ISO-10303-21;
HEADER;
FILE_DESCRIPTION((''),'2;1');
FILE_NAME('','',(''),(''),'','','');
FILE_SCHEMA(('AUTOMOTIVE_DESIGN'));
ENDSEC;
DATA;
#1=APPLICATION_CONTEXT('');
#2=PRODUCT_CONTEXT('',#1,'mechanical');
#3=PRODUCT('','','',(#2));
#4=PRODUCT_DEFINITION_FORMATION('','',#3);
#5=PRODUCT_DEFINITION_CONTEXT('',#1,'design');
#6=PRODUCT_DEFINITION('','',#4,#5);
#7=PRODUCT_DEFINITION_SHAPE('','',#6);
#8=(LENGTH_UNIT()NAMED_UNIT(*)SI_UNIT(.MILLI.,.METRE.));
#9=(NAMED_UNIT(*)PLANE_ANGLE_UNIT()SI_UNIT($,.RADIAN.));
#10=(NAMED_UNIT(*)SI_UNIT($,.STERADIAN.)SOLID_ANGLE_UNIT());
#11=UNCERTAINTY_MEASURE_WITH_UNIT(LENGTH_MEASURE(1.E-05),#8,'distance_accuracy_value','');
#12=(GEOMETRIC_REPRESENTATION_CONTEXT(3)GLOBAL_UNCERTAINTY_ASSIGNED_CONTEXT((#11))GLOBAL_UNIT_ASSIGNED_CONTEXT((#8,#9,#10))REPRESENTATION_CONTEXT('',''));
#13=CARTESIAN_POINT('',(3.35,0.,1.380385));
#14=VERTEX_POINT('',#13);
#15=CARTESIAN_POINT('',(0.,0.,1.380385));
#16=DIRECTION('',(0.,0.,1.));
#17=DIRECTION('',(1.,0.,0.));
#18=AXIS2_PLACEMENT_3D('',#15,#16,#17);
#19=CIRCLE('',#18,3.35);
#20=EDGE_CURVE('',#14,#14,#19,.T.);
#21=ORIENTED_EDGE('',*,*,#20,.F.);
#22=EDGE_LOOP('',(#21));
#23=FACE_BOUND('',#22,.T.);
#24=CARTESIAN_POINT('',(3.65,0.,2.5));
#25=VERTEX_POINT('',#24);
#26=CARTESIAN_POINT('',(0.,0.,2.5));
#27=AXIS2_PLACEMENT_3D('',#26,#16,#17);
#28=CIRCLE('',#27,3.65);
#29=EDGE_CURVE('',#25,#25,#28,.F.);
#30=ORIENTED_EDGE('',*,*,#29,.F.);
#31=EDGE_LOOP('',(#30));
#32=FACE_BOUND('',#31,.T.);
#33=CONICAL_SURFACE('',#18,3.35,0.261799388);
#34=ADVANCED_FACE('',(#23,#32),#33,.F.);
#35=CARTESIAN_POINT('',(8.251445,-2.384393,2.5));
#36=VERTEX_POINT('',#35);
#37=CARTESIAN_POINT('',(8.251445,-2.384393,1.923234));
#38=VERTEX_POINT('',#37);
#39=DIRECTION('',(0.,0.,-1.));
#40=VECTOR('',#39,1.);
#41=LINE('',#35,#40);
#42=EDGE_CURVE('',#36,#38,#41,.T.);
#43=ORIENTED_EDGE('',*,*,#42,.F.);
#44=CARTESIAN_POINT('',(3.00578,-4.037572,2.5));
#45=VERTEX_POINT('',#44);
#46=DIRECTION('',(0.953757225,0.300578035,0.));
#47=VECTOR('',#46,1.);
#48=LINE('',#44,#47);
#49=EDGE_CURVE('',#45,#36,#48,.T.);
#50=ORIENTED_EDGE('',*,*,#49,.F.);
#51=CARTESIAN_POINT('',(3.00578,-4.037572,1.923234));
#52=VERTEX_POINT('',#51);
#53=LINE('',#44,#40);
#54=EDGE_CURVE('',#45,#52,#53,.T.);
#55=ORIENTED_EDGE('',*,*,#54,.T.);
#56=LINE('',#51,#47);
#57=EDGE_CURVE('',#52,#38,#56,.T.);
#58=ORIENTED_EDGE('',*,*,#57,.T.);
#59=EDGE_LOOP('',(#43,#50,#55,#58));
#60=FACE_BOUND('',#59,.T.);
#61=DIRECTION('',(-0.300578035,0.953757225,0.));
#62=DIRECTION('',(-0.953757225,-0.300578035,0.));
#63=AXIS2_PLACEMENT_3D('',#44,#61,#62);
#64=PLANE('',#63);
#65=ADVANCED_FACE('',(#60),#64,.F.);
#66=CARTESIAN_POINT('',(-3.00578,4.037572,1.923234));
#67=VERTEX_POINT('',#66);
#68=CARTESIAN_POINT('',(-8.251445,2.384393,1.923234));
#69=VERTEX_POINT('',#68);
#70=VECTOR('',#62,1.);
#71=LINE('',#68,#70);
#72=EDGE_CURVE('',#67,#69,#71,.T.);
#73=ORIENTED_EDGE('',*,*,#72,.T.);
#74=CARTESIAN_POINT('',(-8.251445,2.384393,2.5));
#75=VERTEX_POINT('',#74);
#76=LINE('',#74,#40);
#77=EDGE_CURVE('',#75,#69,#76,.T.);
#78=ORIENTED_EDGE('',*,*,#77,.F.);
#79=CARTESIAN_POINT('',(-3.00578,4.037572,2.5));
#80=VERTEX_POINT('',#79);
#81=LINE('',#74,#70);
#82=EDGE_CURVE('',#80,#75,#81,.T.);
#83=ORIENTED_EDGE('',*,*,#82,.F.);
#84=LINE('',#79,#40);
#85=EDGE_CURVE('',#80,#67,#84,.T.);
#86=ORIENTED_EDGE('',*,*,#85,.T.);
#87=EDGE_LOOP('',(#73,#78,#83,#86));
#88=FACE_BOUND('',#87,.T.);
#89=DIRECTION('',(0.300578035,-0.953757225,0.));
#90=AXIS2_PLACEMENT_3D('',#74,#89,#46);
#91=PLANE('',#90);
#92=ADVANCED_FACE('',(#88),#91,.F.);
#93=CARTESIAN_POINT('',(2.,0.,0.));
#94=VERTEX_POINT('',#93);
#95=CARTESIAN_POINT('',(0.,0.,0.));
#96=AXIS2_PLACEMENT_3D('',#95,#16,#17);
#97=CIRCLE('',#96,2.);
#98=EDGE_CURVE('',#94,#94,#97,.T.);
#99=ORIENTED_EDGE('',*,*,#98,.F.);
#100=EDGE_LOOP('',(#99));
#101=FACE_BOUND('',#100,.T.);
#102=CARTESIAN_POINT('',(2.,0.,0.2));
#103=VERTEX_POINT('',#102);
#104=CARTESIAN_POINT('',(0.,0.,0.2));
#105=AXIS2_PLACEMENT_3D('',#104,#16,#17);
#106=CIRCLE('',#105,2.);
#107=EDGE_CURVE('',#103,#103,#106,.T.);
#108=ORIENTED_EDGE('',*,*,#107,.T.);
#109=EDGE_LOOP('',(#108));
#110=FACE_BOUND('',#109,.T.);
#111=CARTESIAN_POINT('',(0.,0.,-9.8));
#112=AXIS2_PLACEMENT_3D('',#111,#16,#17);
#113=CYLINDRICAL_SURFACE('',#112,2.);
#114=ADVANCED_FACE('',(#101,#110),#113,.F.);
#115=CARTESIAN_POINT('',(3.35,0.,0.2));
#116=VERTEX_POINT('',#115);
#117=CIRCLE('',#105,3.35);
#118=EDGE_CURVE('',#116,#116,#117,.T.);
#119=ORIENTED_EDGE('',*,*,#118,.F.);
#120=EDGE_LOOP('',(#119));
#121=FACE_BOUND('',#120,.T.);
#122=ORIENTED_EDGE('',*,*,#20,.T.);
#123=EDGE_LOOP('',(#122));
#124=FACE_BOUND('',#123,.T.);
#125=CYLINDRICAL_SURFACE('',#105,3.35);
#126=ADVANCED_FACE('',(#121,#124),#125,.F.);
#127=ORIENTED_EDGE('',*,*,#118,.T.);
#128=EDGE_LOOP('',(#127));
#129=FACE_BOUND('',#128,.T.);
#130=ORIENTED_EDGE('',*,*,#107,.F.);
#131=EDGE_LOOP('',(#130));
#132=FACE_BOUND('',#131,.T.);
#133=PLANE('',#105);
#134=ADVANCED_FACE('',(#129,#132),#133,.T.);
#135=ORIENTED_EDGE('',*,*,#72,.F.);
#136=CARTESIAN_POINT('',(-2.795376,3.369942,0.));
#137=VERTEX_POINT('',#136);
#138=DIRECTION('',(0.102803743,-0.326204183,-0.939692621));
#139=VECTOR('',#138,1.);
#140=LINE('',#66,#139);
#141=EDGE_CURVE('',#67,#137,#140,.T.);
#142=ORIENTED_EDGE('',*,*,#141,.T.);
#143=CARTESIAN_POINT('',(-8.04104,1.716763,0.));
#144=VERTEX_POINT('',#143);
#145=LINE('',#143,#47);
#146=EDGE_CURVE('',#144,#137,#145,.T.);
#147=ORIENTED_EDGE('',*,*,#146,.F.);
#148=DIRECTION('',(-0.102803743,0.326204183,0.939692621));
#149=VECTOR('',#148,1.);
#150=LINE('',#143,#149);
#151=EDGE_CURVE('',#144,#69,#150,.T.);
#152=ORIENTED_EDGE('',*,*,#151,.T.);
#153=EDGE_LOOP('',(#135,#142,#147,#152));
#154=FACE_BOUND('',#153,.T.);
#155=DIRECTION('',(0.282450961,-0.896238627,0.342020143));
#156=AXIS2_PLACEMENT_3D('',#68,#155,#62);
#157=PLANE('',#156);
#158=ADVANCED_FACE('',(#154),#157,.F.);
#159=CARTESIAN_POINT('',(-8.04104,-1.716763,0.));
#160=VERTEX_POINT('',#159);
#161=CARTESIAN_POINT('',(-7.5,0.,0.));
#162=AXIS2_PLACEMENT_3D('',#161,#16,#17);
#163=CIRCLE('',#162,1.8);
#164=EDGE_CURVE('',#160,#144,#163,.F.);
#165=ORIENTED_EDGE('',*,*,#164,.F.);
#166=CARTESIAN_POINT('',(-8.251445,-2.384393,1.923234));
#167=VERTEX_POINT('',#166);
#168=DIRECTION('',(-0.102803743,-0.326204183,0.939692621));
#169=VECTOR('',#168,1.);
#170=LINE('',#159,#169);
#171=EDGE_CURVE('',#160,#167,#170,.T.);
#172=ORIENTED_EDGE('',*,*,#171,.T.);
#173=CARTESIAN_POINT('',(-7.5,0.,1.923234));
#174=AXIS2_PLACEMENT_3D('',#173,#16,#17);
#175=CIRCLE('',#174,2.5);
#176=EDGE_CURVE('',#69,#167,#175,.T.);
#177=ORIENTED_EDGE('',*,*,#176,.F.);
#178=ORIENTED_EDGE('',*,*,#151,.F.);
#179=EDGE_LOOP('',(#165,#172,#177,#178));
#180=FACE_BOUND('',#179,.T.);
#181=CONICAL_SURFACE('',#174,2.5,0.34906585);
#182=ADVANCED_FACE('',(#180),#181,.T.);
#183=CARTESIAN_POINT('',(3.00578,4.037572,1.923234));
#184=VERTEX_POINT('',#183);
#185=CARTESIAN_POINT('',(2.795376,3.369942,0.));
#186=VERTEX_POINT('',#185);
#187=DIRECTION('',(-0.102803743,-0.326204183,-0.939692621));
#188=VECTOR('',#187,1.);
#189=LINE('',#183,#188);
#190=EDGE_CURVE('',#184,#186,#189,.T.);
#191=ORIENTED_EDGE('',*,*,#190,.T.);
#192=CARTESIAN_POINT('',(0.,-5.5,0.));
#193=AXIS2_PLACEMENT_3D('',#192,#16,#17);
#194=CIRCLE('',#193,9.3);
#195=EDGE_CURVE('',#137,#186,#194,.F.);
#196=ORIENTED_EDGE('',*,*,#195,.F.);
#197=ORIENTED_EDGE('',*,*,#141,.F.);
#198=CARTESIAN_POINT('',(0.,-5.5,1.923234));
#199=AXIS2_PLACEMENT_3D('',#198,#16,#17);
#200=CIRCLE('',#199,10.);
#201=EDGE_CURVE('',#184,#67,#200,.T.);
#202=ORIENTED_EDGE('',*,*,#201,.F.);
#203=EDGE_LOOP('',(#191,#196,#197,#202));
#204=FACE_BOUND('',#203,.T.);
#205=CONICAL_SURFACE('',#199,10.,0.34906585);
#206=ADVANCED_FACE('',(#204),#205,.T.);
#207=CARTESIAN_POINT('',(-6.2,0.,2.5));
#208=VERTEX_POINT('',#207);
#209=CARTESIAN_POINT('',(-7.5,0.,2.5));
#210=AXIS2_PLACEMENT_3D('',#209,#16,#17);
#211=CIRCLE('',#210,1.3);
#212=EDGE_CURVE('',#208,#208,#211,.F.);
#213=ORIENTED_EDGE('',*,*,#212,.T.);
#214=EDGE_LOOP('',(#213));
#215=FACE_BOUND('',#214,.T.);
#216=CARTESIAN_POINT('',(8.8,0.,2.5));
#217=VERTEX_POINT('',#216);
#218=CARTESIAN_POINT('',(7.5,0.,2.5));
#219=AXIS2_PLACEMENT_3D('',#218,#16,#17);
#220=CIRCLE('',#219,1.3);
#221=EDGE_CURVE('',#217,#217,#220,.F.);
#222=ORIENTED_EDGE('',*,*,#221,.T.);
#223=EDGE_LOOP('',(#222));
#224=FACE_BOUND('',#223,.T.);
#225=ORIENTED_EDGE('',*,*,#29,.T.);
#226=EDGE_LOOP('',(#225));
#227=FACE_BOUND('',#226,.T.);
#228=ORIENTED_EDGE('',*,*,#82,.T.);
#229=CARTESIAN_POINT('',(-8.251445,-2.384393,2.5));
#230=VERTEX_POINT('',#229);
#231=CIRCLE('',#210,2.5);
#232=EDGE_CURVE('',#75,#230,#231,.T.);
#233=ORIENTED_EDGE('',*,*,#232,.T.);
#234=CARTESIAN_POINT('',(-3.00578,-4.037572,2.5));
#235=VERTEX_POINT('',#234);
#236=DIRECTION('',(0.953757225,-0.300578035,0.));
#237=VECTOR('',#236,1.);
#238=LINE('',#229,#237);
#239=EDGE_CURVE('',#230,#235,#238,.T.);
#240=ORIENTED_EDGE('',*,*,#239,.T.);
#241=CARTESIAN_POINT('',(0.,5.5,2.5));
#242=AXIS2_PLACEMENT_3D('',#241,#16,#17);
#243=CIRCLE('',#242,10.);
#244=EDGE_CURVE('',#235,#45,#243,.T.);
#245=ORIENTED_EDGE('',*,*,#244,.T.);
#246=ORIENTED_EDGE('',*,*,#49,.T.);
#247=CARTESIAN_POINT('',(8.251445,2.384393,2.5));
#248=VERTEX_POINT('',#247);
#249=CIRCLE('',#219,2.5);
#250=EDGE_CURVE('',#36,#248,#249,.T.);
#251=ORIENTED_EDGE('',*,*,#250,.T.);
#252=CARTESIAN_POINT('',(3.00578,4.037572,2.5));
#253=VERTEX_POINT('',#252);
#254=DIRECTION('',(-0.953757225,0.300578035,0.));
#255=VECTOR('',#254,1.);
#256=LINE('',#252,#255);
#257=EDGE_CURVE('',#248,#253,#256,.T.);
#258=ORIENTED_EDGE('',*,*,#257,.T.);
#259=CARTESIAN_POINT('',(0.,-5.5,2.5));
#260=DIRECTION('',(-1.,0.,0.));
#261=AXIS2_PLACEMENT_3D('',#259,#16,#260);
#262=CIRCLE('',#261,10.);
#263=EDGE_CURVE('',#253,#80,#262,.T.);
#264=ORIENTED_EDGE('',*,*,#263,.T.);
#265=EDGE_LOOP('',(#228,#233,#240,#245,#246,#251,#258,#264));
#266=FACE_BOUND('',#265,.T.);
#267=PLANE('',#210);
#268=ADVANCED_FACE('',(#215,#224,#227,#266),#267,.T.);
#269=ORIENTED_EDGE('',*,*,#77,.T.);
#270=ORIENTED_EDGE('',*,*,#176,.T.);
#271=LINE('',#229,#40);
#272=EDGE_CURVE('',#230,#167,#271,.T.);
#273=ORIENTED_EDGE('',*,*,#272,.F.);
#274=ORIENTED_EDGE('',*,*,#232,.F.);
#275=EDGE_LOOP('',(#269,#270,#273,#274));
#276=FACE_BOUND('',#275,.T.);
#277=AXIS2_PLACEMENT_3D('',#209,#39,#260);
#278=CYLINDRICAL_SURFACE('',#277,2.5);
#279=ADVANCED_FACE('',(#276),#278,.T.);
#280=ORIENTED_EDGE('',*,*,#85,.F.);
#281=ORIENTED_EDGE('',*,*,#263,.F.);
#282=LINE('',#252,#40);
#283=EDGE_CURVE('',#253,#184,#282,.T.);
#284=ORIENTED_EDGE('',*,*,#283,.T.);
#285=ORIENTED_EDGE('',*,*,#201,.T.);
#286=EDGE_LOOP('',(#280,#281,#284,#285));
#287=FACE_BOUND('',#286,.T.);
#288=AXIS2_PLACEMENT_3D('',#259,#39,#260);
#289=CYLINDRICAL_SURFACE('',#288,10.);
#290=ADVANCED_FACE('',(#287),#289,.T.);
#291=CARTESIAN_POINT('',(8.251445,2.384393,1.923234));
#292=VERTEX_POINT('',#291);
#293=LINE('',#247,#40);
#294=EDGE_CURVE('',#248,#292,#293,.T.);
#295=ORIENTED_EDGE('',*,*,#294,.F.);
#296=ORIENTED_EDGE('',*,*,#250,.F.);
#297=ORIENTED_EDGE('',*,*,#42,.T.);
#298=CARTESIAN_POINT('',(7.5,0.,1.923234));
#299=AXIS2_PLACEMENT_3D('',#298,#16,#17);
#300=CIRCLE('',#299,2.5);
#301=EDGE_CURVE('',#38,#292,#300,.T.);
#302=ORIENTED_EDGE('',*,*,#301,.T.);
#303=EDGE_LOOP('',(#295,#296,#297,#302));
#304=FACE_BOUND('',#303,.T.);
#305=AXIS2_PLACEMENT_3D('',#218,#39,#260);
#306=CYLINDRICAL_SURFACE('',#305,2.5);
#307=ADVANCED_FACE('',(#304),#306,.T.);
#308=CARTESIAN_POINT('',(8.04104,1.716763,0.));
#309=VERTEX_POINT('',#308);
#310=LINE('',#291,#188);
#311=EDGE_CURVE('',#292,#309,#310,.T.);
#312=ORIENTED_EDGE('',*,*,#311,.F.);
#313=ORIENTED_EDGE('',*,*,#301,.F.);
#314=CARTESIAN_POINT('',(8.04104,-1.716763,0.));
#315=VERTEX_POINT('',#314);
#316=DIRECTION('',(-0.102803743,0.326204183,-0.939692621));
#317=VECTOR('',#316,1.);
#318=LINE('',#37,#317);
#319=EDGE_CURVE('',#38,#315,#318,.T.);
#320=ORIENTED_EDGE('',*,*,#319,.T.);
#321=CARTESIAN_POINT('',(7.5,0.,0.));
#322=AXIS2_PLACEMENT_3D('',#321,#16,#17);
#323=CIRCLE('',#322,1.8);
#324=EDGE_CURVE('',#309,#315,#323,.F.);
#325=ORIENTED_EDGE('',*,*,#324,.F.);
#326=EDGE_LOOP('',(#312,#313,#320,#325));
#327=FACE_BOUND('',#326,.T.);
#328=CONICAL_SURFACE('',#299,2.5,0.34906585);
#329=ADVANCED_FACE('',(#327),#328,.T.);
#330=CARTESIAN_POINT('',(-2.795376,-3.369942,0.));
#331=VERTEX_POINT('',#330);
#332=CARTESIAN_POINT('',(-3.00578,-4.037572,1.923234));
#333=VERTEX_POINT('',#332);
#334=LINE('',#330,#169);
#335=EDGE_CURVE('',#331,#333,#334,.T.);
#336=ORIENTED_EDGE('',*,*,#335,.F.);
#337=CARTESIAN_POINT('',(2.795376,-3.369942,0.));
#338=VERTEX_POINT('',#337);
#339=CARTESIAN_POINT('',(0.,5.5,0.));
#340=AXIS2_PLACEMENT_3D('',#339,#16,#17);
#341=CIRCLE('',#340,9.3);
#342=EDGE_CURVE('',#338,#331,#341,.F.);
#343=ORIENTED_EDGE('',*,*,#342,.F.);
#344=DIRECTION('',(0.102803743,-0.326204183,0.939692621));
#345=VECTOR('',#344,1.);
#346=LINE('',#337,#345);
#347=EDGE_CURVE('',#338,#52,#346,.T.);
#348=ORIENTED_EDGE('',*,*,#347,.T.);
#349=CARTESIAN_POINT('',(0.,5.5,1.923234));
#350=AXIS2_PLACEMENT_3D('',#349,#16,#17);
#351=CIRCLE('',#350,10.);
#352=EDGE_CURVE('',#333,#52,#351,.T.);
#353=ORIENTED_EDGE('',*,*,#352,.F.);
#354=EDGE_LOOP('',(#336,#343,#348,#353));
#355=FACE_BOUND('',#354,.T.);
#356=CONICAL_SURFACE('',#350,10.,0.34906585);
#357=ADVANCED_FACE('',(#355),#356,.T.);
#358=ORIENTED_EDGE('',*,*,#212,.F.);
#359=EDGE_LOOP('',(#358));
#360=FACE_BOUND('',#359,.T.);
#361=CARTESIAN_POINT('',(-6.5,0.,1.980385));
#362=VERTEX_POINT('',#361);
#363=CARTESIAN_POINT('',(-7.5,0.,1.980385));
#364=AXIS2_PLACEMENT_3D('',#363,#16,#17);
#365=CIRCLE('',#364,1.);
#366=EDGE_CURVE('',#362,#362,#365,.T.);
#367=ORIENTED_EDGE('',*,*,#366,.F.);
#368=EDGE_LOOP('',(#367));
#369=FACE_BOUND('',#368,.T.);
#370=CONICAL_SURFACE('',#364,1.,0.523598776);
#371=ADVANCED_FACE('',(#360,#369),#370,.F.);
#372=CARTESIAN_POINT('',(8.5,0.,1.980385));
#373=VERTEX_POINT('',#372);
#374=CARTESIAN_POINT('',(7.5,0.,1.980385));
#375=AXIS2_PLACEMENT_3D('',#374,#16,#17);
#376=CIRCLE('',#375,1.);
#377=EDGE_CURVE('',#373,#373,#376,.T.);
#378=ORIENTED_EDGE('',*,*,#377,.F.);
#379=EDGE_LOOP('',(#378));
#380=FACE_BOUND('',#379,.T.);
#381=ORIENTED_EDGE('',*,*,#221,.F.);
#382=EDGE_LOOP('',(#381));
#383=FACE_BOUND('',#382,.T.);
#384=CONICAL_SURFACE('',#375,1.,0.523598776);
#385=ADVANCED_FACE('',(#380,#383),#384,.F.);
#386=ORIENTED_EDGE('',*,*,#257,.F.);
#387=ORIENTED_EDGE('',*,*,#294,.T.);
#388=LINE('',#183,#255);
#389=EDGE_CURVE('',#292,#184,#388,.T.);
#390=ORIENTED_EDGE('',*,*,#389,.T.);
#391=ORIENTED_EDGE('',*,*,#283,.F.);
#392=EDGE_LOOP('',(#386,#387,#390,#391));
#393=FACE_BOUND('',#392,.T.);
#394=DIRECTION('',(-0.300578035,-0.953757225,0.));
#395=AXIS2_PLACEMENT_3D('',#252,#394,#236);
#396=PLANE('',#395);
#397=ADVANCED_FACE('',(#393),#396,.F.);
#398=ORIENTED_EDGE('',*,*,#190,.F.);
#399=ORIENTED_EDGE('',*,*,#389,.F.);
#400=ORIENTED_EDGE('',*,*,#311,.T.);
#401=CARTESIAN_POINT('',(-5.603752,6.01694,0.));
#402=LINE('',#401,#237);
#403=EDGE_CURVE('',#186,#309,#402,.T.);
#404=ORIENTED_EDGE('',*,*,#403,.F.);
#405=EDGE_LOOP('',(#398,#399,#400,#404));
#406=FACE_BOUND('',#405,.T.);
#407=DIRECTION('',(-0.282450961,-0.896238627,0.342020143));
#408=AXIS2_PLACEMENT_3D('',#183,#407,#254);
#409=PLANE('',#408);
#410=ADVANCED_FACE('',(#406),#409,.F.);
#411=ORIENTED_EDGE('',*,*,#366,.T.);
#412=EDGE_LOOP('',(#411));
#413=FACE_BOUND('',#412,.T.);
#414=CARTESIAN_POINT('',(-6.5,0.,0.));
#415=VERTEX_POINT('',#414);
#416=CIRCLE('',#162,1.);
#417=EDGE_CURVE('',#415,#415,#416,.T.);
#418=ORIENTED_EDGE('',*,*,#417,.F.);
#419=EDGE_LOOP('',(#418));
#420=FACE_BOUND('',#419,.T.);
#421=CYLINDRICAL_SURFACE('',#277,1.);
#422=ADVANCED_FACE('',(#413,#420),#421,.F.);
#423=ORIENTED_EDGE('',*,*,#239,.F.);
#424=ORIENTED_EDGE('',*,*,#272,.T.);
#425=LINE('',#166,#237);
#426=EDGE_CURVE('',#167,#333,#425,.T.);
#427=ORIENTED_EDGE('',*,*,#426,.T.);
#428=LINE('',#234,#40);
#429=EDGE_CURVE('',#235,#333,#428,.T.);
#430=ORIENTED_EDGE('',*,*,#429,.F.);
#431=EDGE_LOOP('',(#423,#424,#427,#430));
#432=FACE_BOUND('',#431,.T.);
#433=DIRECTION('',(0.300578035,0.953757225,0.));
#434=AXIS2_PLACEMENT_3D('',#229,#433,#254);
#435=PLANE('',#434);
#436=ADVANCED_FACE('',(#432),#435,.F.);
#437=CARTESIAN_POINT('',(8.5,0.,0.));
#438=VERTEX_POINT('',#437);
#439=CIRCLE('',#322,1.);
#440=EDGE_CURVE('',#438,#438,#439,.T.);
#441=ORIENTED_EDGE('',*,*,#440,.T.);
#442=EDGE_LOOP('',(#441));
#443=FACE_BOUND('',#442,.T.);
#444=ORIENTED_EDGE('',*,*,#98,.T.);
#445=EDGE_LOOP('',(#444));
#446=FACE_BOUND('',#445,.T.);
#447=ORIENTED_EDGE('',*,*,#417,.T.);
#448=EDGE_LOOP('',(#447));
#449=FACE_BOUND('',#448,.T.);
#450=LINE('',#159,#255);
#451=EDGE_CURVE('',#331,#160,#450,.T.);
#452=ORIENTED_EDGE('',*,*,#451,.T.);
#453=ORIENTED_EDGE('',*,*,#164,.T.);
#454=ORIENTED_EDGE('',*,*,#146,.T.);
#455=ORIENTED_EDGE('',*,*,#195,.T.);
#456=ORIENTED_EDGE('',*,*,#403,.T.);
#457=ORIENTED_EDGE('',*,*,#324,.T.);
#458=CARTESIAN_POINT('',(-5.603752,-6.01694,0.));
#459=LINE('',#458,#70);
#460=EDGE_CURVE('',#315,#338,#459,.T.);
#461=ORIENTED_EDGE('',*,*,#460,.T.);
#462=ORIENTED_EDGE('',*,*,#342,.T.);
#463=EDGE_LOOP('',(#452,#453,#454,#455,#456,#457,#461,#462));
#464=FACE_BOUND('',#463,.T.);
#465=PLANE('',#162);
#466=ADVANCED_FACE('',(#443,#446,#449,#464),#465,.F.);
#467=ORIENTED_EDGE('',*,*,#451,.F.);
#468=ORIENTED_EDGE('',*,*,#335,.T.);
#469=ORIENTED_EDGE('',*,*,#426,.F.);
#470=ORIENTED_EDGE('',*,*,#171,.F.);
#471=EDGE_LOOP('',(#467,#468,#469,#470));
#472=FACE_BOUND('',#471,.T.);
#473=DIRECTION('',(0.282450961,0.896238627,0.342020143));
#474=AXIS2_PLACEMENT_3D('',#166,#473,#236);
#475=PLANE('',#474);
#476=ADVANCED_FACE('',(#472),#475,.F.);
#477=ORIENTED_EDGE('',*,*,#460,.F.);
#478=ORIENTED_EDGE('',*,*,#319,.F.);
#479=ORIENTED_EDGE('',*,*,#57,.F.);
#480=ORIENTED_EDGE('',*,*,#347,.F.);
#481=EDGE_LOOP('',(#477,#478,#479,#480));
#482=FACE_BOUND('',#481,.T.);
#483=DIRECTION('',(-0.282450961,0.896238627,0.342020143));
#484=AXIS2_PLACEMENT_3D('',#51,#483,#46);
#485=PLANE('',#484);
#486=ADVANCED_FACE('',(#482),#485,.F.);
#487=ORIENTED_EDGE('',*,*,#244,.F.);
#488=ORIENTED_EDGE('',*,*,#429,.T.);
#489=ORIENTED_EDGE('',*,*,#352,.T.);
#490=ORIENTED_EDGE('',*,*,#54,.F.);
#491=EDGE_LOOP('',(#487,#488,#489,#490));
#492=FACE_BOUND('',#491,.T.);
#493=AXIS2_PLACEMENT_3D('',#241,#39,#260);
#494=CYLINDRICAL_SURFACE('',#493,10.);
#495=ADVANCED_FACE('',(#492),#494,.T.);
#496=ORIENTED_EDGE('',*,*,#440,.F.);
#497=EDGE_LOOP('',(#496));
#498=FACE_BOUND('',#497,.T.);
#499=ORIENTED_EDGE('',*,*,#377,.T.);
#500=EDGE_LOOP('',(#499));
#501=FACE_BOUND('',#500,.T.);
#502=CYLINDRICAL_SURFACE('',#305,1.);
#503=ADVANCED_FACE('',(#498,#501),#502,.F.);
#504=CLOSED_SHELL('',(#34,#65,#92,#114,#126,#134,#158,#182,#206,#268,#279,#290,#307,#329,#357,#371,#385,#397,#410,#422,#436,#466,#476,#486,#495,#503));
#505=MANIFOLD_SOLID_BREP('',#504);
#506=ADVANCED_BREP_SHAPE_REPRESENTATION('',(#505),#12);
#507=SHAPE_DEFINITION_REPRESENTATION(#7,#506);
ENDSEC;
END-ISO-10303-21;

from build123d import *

# Parameters (mm, degrees)
SKETCH1_R           = 1
BOSS_EXTRUDE1_DEPTH = 2.5
SKETCH2_R           = 3.35
CUT_EXTRUDE1_DEPTH  = 2.3
CHAMFER1_SIZE       = 0.7
CHAMFER1_SIZE2      = 1.923234194
CHAMFER2_SIZE       = 0.3
CHAMFER2_SIZE2      = 1.119615242
CHAMFER3_SIZE       = 0.3
CHAMFER3_SIZE2      = 0.519615242
SKETCH3_R           = 2
CUT_EXTRUDE2_DEPTH  = 10


with BuildPart() as part:
    # Sketch1 → Boss-Extrude1 (new body)
    with BuildSketch(Plane.XY):
        with BuildLine():
            Line((-8.251445087, 2.384393064), (-3.005780347, 4.037572254))
            ThreePointArc((-3.005780347, 4.037572254), (0, 4.5), (3.005780347, 4.037572254))
            Line((3.005780347, 4.037572254), (8.251445087, 2.384393064))
            ThreePointArc((8.251445087, 2.384393064), (10, 0), (8.251445087, -2.384393064))
            Line((8.251445087, -2.384393064), (3.005780347, -4.037572254))
            ThreePointArc((3.005780347, -4.037572254), (0, -4.5), (-3.005780347, -4.037572254))
            Line((-3.005780347, -4.037572254), (-8.251445087, -2.384393064))
            ThreePointArc((-8.251445087, -2.384393064), (-10, 0), (-8.251445087, 2.384393064))
        make_face()
        with Locations((7.5, 0)):
            Circle(SKETCH1_R, mode=Mode.SUBTRACT)
        with Locations((-7.5, 0)):
            Circle(SKETCH1_R, mode=Mode.SUBTRACT)
    extrude(amount=BOSS_EXTRUDE1_DEPTH)

    # Sketch2 → Cut-Extrude1 (cut)
    with BuildSketch(Plane.XY.offset(2.5)):
        Circle(SKETCH2_R)
    extrude(amount=-CUT_EXTRUDE1_DEPTH, mode=Mode.SUBTRACT)

    # Chamfer1
    chamfer1_edges = [part.edges().sort_by_distance(p)[0] for p in [
        (-5.628612717, -3.210982659, 0),
        (-10, 0, 0),
        (-5.628612717, 3.210982659, 0),
        (0, 4.5, 0),
        (5.628612717, 3.210982659, 0),
        (10, 0, 0),
        (5.628612717, -3.210982659, 0),
        (0, -4.5, 0),
    ]]
    chamfer1_side = [part.faces().sort_by_distance(p)[0] for p in [
        (0, 0, 0),
    ]]
    chamfer(chamfer1_edges, length=CHAMFER1_SIZE, length2=CHAMFER1_SIZE2, reference=chamfer1_side[0])

    # Chamfer2
    chamfer2_edges = [part.edges().sort_by_distance(p)[0] for p in [
        (-3.35, 0, 2.5),
    ]]
    chamfer2_side = [part.faces().sort_by_distance(p)[0] for p in [
        (-5.562690807, -3.001807369, 2.5),
    ]]
    chamfer(chamfer2_edges, length=CHAMFER2_SIZE, length2=CHAMFER2_SIZE2, reference=chamfer2_side[0])

    # Chamfer3
    chamfer3_edges = [part.edges().sort_by_distance(p)[0] for p in [
        (6.5, 0, 2.5),
        (-8.5, 0, 2.5),
    ]]
    chamfer3_side = [part.faces().sort_by_distance(p)[0] for p in [
        (-3.869317122, 0, 2.5),
    ]]
    chamfer(chamfer3_edges, length=CHAMFER3_SIZE, length2=CHAMFER3_SIZE2, reference=chamfer3_side[0])

    # Sketch3 → Cut-Extrude2 (cut)
    with BuildSketch(Plane.XY.offset(0.2)):
        Circle(SKETCH3_R)
    extrude(amount=-CUT_EXTRUDE2_DEPTH, mode=Mode.SUBTRACT)


solid = part.part
